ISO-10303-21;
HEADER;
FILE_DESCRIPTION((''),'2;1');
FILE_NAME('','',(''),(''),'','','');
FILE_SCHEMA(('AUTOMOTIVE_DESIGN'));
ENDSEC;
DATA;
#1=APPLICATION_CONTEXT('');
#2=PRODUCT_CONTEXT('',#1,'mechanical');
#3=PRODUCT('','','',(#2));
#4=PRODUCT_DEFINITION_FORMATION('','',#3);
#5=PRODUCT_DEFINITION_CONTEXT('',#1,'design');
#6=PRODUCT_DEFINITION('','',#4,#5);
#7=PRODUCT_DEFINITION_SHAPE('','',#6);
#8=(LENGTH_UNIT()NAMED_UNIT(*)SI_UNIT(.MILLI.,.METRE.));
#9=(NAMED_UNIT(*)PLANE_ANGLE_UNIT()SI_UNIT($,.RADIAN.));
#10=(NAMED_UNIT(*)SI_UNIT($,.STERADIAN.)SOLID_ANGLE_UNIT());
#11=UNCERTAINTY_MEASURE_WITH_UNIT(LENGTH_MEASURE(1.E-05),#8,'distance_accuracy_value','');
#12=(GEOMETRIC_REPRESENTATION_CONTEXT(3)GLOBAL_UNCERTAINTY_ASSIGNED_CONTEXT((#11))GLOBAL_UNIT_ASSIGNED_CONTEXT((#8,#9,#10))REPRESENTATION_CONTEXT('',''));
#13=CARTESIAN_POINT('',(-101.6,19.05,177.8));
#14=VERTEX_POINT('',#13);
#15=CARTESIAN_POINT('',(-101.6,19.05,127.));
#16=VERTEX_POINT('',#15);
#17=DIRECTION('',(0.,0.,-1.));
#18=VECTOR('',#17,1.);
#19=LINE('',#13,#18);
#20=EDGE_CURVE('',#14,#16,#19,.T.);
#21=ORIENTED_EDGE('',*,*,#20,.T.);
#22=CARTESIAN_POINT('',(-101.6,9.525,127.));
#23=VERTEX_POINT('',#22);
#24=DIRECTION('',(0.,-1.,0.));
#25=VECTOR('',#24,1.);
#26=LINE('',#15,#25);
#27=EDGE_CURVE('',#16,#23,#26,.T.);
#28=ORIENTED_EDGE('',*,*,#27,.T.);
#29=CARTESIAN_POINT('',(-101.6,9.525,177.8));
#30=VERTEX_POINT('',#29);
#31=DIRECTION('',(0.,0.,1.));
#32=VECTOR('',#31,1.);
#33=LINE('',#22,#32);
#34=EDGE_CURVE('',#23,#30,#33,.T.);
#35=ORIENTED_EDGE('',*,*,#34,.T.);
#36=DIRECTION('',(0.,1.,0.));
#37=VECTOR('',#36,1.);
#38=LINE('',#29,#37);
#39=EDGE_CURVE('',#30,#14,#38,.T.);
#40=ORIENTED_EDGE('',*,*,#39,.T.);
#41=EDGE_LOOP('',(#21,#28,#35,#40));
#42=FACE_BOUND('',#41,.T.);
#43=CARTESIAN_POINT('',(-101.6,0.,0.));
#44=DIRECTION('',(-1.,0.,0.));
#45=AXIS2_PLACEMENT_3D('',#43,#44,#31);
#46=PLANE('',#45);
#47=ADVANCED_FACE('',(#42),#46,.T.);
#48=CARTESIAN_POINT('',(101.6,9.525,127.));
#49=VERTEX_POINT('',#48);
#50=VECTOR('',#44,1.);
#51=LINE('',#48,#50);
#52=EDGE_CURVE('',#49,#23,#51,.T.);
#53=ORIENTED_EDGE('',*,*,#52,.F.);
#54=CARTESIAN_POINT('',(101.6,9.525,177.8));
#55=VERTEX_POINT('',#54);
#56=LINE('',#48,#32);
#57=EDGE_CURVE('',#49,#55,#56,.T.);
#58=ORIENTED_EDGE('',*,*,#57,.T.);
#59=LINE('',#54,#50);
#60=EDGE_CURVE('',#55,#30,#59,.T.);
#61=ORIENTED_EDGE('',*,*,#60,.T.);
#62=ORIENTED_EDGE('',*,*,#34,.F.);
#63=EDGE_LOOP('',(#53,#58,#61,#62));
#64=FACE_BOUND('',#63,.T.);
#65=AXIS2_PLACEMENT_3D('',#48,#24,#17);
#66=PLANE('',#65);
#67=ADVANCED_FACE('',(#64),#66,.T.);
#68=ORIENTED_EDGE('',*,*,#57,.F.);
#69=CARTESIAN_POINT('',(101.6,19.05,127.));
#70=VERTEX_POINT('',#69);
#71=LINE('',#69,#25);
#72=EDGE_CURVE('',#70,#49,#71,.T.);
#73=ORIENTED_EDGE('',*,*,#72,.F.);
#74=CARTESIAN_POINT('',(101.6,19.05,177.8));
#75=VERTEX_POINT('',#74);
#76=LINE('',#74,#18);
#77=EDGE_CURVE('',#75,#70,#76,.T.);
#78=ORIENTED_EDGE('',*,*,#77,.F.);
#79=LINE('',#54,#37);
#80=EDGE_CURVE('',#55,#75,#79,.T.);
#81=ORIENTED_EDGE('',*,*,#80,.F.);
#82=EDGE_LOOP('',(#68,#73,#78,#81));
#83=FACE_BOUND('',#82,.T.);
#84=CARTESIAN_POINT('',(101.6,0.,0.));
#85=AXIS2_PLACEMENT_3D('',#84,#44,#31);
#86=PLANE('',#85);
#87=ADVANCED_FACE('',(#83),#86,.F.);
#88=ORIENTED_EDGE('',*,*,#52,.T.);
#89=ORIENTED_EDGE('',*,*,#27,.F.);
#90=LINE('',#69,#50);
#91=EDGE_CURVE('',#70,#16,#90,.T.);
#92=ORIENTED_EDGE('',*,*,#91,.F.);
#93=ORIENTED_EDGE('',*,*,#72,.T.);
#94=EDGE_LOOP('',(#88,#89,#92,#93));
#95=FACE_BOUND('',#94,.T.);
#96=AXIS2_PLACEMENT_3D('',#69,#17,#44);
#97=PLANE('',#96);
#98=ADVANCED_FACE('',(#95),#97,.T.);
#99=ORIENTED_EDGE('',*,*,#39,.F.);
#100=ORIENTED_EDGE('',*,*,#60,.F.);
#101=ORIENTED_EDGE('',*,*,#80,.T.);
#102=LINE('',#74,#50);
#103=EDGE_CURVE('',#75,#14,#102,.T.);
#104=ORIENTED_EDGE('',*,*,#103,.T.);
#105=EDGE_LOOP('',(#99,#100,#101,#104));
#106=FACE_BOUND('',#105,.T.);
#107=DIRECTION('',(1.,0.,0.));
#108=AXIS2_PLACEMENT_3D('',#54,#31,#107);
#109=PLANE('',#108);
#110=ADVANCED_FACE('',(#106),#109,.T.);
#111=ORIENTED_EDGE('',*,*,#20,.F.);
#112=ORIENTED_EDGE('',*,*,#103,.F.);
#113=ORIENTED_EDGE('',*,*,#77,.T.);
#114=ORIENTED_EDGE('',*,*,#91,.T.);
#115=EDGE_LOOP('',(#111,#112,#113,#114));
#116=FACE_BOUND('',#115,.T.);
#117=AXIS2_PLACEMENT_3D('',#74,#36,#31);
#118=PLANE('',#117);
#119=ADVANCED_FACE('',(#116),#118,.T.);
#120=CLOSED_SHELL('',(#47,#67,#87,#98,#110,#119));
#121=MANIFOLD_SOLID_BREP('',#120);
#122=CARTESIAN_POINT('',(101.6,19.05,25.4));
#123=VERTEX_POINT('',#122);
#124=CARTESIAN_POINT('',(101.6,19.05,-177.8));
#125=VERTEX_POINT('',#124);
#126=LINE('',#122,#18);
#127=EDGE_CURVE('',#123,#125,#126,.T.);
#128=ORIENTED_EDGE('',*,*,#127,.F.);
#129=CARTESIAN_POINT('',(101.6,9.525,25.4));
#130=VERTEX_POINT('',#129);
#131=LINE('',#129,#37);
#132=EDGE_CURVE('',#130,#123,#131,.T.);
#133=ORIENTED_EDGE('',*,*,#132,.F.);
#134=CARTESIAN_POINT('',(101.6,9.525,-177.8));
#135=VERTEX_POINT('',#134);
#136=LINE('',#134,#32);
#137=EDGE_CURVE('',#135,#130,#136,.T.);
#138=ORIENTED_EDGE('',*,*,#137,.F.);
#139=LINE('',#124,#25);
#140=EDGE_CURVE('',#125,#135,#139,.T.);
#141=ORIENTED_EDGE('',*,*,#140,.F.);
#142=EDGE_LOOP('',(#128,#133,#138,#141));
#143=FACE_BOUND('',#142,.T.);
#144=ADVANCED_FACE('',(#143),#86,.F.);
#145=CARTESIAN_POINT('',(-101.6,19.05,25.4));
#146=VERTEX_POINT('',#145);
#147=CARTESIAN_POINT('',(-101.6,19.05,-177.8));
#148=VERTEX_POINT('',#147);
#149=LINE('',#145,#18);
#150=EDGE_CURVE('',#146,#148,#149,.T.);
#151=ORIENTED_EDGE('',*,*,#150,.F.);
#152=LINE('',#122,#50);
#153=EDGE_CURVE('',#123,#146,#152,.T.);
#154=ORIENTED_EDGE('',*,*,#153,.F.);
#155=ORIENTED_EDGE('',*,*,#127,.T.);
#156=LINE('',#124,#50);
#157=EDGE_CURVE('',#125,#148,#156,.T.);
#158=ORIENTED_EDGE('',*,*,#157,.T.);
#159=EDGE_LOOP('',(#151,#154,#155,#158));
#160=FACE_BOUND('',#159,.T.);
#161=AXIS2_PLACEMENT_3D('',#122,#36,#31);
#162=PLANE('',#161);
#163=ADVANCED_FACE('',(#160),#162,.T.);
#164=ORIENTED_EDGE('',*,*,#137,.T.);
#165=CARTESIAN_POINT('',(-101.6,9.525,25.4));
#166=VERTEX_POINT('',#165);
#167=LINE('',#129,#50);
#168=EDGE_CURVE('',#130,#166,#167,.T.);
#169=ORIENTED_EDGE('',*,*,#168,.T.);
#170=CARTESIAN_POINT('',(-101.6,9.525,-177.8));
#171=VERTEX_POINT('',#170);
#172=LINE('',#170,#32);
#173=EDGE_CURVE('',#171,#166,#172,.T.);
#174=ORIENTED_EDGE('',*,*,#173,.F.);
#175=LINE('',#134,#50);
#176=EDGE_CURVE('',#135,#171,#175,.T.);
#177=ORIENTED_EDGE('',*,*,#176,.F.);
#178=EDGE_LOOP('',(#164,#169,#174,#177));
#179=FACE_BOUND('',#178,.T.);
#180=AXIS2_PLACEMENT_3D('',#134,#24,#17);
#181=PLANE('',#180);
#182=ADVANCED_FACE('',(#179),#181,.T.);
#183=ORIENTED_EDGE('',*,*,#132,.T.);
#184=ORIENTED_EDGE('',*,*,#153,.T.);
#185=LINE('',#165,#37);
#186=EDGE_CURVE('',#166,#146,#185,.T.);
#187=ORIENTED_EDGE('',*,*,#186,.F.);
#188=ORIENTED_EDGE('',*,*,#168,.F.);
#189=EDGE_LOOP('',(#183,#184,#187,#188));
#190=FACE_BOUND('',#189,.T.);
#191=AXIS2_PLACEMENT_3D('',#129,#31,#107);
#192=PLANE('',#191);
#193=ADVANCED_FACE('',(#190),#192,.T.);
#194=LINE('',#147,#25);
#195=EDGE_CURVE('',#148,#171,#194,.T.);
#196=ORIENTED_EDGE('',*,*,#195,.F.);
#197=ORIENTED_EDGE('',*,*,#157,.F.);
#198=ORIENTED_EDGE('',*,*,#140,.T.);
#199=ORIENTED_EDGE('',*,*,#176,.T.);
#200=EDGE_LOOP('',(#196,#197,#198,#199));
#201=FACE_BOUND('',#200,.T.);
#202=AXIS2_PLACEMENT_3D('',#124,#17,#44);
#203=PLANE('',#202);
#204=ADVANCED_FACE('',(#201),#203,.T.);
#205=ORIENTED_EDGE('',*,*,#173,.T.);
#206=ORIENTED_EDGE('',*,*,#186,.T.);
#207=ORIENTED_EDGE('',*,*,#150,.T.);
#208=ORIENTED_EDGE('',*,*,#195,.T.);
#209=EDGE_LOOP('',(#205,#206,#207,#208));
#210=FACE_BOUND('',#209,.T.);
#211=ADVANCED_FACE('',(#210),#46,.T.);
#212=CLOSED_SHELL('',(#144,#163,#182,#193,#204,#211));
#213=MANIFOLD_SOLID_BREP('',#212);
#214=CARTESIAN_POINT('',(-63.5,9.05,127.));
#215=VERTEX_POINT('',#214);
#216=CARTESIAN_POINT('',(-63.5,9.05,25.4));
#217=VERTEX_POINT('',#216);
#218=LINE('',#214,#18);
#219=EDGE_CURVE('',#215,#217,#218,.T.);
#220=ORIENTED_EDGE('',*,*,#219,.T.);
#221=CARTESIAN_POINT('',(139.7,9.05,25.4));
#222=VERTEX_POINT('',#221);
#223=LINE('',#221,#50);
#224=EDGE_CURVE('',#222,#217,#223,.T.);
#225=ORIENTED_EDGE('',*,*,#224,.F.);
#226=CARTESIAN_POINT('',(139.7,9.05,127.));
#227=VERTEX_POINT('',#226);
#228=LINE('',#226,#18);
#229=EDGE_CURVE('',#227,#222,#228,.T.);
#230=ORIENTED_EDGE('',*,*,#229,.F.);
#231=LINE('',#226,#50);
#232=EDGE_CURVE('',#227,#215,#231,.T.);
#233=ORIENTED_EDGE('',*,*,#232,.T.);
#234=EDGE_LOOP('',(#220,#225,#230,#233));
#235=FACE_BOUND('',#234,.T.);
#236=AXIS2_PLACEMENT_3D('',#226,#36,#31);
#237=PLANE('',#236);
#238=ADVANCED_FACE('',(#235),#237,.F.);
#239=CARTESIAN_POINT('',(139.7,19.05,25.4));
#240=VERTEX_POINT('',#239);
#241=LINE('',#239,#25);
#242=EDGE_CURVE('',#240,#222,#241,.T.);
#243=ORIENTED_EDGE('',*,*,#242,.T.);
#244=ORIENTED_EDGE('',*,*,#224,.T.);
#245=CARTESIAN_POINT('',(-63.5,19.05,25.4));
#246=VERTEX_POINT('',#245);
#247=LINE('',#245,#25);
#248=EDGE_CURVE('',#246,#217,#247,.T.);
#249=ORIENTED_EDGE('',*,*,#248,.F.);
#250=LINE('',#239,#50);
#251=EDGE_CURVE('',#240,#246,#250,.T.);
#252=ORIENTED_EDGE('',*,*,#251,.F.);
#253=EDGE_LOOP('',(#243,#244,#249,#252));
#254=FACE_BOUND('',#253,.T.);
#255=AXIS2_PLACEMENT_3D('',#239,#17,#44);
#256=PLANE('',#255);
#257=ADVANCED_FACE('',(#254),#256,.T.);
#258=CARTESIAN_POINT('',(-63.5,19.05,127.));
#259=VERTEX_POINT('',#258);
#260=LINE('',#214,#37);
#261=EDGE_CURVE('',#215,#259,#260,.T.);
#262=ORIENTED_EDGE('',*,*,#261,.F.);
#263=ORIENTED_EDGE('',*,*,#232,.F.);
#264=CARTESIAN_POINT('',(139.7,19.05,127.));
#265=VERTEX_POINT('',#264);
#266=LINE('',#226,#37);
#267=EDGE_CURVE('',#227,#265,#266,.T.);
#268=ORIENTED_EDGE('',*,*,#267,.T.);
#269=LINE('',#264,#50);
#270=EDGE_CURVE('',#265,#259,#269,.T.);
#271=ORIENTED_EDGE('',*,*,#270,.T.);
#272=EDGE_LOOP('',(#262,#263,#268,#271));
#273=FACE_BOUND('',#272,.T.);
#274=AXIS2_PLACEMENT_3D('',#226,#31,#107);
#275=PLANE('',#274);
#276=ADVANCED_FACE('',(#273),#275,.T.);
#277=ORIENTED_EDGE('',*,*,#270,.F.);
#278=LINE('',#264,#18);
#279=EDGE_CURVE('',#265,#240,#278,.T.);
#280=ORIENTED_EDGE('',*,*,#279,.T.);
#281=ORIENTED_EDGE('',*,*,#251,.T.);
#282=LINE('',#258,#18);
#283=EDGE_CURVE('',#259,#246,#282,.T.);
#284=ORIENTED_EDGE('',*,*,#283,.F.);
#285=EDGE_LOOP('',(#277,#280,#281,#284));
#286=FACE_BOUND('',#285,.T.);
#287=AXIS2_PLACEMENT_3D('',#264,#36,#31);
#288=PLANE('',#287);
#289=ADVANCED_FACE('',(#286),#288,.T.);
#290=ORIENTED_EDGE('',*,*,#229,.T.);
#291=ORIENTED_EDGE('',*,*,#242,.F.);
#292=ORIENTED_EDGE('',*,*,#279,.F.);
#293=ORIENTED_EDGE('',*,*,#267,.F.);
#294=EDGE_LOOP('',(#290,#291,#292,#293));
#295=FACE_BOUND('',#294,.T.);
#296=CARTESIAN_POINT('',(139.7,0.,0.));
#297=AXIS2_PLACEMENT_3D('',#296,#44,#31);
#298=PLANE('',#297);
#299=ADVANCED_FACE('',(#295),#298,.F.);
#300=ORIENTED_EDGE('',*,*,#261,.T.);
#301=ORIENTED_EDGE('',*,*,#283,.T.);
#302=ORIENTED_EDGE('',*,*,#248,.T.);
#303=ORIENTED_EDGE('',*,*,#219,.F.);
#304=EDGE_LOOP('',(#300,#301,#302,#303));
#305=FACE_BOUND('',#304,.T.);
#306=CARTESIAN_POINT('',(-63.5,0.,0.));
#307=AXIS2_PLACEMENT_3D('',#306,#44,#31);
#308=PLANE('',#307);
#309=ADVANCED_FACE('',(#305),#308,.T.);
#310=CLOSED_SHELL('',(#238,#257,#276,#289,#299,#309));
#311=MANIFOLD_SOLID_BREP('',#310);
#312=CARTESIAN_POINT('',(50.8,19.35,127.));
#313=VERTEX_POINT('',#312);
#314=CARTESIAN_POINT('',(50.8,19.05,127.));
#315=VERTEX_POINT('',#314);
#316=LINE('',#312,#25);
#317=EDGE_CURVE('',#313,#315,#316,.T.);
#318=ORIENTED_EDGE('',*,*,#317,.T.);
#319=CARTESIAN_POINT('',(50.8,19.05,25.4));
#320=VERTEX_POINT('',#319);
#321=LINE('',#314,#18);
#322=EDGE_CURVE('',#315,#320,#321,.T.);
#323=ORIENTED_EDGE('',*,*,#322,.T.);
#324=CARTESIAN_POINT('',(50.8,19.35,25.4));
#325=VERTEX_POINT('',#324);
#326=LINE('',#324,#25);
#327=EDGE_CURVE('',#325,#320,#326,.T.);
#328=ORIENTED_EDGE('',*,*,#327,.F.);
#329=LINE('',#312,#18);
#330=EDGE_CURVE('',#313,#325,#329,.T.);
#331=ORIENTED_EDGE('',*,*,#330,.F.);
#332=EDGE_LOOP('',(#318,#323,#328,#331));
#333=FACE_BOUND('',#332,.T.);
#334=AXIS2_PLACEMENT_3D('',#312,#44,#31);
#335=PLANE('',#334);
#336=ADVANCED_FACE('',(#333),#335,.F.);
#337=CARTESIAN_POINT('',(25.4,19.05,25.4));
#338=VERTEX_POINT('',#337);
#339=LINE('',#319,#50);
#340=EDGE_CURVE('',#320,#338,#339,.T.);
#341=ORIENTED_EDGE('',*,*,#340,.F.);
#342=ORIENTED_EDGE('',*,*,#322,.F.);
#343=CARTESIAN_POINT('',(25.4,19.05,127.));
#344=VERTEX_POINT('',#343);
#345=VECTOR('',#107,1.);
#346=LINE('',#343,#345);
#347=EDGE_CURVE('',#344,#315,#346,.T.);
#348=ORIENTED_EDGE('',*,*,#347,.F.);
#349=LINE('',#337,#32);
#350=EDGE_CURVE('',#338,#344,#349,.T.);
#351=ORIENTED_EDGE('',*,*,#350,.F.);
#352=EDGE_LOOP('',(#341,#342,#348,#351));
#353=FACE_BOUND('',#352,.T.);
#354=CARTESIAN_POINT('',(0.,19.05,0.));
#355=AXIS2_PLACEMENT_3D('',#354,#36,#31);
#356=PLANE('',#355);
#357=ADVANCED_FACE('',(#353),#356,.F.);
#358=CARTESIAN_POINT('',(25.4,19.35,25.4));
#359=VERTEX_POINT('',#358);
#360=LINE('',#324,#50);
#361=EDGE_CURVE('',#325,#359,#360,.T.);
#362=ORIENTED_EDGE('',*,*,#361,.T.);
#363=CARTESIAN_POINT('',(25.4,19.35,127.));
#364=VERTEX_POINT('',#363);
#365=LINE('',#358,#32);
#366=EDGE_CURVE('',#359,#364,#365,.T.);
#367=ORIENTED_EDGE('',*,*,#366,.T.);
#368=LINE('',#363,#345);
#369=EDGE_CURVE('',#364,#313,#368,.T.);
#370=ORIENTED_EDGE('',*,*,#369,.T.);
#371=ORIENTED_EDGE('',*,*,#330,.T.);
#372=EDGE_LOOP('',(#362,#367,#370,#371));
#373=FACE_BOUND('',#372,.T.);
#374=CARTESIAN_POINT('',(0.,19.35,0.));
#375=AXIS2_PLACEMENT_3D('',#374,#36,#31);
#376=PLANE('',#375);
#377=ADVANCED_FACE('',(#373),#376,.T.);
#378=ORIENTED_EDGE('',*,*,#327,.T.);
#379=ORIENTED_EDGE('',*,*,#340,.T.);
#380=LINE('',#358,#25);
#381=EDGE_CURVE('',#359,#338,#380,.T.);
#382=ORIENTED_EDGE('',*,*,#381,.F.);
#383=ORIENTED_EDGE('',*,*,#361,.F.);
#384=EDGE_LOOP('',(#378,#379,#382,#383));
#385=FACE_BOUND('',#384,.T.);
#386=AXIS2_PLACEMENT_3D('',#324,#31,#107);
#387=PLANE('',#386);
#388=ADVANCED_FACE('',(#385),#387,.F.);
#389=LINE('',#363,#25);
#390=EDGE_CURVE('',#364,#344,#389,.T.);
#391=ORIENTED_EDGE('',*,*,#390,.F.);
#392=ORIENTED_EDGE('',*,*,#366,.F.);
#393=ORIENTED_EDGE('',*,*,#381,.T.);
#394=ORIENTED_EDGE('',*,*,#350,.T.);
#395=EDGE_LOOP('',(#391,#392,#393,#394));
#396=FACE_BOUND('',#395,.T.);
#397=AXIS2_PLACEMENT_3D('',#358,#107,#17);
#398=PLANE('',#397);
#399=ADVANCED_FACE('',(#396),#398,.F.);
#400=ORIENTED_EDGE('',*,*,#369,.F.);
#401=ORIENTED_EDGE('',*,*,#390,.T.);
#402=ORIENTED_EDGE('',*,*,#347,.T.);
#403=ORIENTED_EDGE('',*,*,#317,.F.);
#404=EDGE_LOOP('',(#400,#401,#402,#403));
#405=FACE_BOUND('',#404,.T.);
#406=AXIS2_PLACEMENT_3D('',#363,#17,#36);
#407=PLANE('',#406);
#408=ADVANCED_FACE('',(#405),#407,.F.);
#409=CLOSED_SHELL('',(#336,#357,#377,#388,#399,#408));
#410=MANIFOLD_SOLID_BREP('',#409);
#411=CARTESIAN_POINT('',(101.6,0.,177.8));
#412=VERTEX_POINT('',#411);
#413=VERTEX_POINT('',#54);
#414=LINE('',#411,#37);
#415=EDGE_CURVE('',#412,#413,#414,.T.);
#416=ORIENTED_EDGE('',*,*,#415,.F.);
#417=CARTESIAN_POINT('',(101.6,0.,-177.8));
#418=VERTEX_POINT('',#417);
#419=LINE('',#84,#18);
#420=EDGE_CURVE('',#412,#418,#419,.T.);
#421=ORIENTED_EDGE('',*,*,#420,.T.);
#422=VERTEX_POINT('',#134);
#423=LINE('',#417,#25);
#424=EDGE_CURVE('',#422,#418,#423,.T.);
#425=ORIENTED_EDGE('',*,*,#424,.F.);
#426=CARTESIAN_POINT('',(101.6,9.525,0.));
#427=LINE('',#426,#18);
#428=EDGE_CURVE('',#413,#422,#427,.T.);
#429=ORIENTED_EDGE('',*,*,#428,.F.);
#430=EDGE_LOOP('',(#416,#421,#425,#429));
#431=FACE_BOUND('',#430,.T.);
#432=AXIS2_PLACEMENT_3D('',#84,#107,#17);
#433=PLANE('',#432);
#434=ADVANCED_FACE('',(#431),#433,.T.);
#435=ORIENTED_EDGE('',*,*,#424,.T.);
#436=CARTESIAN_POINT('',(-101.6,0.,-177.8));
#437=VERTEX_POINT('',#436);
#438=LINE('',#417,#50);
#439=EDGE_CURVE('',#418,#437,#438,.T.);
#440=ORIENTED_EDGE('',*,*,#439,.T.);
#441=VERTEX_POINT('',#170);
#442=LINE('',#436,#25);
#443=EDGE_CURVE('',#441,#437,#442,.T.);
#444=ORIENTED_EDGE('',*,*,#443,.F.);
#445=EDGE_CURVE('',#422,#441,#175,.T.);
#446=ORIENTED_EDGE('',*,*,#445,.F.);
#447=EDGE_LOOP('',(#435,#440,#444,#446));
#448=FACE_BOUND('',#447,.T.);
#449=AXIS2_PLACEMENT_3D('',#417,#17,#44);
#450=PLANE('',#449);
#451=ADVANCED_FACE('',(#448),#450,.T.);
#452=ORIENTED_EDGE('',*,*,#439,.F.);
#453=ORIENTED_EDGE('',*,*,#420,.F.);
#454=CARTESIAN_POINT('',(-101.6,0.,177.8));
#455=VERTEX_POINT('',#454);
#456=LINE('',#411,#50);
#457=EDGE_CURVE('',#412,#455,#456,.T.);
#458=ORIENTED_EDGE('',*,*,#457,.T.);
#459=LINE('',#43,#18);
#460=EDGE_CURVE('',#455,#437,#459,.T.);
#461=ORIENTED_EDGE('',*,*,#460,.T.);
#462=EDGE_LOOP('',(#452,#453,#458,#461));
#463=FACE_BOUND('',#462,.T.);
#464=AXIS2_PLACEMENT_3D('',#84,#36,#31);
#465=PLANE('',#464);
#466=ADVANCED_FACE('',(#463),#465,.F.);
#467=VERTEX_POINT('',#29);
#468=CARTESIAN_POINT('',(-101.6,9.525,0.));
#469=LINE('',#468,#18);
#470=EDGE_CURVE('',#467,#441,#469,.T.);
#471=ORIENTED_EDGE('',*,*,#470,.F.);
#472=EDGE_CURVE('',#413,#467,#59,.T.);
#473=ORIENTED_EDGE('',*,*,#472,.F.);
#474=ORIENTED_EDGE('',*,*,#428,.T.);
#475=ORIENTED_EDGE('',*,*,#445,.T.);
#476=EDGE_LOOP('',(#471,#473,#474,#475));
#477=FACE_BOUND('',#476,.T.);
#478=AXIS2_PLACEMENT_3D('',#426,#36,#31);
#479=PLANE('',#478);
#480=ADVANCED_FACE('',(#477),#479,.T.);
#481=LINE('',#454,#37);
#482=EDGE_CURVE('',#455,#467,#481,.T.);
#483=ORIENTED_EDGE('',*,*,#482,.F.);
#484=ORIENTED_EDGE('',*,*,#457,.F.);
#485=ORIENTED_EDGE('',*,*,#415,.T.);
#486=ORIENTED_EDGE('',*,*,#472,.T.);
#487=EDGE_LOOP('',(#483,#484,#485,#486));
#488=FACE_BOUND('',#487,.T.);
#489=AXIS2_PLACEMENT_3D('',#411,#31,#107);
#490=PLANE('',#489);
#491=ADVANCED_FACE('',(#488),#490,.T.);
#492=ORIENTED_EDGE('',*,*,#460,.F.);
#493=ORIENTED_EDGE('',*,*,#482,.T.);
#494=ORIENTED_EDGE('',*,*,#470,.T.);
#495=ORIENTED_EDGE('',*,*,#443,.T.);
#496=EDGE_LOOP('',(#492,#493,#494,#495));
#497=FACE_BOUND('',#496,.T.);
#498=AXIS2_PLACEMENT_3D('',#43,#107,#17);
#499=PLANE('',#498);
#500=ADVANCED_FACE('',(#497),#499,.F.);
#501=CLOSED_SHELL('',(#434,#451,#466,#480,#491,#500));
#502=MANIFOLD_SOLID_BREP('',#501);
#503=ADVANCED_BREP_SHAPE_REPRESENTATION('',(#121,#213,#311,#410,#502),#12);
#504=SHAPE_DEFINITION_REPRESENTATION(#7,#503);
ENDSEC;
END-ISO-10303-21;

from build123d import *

# Parameters (mm, degrees)
BOSS_EXTRUDE1_DEPTH = 101.6
SKETCH1_3_W         = 203.2
SKETCH1_3_H         = 9.525
BOSS_EXTRUDE2_DEPTH = 101.6
SKETCH1_4_W         = 50.8
SKETCH1_4_H         = 9.525
BOSS_EXTRUDE3_DEPTH = 101.6
EXTRUDE_THIN1_START = 38.1
SKETCH1_5_W         = 101.6
SKETCH1_5_H         = 10
EXTRUDE_THIN1_DEPTH = 101.6
SKETCH2_W           = 25.4
SKETCH2_H           = 101.6
BOSS_EXTRUDE4_DEPTH = 0.3


with BuildPart() as part:
    # Sketch1 → Boss-Extrude1 (new, symmetric)
    with BuildSketch(Plane(origin=(0, 0, 0), x_dir=(0, 0, -1), z_dir=(1, 0, 0))):
        Polygon((-177.8, 9.525), (-177.8, 0), (177.8, 0), (177.8, 9.525), (-25.4, 9.525), (-127, 9.525), align=None)
    extrude(amount=BOSS_EXTRUDE1_DEPTH, both=True)


with BuildPart() as body_2:
    # Sketch1<3> → Boss-Extrude2 (new, symmetric)
    with BuildSketch(Plane(origin=(0, 0, 0), x_dir=(0, 0, -1), z_dir=(1, 0, 0))):
        with Locations((76.2, 14.2875)):
            Rectangle(SKETCH1_3_W, SKETCH1_3_H)
    extrude(amount=BOSS_EXTRUDE2_DEPTH, both=True)


with BuildPart() as body_3:
    # Sketch1<4> → Boss-Extrude3 (new, symmetric)
    with BuildSketch(Plane(origin=(0, 0, 0), x_dir=(0, 0, -1), z_dir=(1, 0, 0))):
        with Locations((-152.4, 14.2875)):
            Rectangle(SKETCH1_4_W, SKETCH1_4_H)
    extrude(amount=BOSS_EXTRUDE3_DEPTH, both=True)


with BuildPart() as body_4:
    # Sketch1<5> → Extrude-Thin1 (new, symmetric)
    with BuildSketch(Plane(origin=(0, 0, 0), x_dir=(0, 0, -1), z_dir=(1, 0, 0)).offset(EXTRUDE_THIN1_START)):
        with Locations((-76.2, 14.05)):
            Rectangle(SKETCH1_5_W, SKETCH1_5_H)
    extrude(amount=EXTRUDE_THIN1_DEPTH, both=True)


with BuildPart() as body_5:
    # Sketch2 → Boss-Extrude4 (new body)
    with BuildSketch(Plane(origin=(0, 19.05, 0), x_dir=(1, 0, 0), z_dir=(0, 1, 0))):
        with Locations((38.1, -76.2)):
            Rectangle(SKETCH2_W, SKETCH2_H)
    extrude(amount=BOSS_EXTRUDE4_DEPTH)


solid = Compound([part.part, body_2.part, body_3.part, body_4.part, body_5.part])
